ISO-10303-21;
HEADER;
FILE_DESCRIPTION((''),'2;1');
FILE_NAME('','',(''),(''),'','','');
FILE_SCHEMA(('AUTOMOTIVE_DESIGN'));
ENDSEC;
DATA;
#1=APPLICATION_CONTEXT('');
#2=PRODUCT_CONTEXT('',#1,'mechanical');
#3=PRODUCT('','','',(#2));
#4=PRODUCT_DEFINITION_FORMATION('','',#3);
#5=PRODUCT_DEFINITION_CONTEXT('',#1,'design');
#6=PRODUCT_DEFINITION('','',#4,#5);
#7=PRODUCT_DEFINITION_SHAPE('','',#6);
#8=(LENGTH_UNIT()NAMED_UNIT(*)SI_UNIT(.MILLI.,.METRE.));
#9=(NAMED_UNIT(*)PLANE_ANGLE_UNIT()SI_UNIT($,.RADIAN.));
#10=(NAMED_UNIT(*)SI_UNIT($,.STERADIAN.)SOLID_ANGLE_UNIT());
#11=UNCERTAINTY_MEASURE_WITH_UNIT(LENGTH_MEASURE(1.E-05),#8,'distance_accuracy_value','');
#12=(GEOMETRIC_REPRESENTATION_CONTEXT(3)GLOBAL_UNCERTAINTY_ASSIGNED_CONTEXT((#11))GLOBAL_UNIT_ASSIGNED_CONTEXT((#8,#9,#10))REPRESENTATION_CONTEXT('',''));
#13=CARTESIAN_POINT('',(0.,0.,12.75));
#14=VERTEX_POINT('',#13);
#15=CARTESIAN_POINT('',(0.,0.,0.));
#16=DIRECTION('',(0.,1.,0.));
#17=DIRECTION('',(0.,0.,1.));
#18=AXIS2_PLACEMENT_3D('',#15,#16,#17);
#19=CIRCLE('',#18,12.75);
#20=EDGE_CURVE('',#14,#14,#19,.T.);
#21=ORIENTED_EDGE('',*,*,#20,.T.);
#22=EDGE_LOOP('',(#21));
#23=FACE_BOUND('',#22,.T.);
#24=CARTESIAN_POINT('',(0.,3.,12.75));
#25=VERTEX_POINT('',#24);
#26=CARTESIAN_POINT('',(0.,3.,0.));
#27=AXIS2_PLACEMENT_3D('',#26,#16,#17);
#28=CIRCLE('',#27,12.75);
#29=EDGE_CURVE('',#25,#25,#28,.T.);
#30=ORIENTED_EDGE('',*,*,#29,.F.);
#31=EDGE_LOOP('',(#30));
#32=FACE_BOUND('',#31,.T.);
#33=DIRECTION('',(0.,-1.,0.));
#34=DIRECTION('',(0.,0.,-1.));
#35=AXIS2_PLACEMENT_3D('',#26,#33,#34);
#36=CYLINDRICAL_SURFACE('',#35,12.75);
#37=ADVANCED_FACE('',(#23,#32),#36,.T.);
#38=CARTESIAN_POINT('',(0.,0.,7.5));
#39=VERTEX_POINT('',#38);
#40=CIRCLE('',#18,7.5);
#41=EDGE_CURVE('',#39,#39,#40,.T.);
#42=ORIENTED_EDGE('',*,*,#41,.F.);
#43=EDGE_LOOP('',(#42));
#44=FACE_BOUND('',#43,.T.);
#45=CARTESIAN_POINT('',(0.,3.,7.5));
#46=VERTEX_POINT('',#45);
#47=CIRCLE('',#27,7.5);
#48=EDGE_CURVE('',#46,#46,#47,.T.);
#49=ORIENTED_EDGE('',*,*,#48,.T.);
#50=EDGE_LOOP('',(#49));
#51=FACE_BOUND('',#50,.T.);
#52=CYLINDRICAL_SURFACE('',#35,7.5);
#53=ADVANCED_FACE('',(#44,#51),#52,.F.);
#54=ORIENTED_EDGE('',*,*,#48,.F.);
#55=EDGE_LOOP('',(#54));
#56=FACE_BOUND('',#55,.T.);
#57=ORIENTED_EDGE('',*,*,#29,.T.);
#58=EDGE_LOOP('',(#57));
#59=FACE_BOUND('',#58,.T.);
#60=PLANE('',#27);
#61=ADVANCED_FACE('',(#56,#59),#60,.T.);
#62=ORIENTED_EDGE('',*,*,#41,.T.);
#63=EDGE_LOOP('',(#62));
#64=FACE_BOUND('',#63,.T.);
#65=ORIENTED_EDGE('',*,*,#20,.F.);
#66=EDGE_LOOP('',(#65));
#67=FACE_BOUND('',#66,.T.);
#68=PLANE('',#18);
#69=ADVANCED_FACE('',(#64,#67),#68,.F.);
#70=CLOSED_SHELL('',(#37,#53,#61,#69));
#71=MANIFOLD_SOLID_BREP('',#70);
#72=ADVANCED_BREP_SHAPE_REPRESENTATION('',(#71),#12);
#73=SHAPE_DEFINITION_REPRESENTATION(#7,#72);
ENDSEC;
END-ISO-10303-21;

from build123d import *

# Parameters (mm, degrees)
SKETCH_1_R      = 12.75
SKETCH_1_R_2    = 7.5
EXTRUDE_1_DEPTH = 3


with BuildPart() as part:
    # 스케치1 → 보스-돌출1 (new body)
    with BuildSketch(Plane(origin=(0, 0, 0), x_dir=(1, 0, 0), z_dir=(0, 1, 0))):
        with Locations(Location((0, 0, 0), (0, 0, 270))):
            Circle(SKETCH_1_R)
        with Locations(Location((0, 0, 0), (0, 0, 270))):
            Circle(SKETCH_1_R_2, mode=Mode.SUBTRACT)
    extrude(amount=EXTRUDE_1_DEPTH)


solid = part.part
